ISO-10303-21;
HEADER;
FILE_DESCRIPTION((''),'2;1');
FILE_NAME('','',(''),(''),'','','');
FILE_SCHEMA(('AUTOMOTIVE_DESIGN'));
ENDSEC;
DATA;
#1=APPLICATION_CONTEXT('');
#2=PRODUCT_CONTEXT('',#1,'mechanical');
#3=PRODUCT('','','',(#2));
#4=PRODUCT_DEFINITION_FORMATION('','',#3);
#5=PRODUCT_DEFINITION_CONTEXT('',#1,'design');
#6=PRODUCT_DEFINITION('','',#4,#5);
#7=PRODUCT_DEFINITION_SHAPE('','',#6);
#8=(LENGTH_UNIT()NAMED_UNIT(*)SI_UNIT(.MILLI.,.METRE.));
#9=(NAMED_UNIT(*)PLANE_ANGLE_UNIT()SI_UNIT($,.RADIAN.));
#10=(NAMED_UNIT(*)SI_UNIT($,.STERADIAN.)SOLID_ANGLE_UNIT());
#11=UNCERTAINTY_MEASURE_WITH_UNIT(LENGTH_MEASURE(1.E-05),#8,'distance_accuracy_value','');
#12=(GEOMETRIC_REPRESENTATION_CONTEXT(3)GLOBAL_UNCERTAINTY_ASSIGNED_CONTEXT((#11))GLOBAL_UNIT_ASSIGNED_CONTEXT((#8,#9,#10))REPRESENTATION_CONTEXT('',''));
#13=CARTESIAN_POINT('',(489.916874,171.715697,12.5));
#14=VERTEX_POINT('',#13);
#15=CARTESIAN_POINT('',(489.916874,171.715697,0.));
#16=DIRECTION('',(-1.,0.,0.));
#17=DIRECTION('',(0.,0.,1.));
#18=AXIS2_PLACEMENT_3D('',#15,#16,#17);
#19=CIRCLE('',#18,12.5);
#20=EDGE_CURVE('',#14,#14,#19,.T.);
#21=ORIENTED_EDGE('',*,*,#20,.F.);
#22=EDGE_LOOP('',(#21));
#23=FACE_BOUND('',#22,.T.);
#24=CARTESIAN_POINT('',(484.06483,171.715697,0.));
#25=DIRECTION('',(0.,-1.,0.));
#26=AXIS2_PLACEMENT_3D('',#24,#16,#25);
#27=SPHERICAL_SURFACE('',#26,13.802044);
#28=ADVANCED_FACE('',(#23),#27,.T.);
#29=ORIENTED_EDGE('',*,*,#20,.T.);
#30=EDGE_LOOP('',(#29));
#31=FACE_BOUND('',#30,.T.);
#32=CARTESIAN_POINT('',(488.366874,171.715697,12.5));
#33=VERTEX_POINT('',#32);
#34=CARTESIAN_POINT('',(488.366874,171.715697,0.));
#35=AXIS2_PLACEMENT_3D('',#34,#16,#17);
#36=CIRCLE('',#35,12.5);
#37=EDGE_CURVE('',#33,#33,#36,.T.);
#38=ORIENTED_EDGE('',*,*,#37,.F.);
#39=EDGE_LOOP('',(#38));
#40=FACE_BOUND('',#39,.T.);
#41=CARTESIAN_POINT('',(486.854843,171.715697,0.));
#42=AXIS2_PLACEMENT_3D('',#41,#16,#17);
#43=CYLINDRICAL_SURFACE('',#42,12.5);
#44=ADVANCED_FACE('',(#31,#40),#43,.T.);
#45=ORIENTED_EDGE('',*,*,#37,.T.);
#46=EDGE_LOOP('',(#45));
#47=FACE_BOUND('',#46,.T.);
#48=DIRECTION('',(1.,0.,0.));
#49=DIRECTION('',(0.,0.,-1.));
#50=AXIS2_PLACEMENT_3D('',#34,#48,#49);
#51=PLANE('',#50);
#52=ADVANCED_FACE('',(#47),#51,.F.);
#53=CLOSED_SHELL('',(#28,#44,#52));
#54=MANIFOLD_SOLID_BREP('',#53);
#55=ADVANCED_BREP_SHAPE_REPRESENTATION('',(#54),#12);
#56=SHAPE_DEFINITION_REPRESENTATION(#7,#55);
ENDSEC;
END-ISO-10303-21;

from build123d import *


with BuildPart() as part:
    # 草图1 → 旋转1 (revolve)
    with BuildSketch(Plane.XY, mode=Mode.PRIVATE) as revolve_1_sk:
        with BuildLine():
            Line((488.366874008, 171.715697297), (488.366874008, 184.215697297))
            Line((488.366874008, 184.215697297), (489.916874008, 184.215697297))
            ThreePointArc((489.916874008, 184.215697297), (495.711000781, 179.122661925), (497.866874008, 171.715697297))
            Line((497.866874008, 171.715697297), (488.366874008, 171.715697297))
        make_face()
    revolve(revolve_1_sk.sketch.rotate(Axis((486.854842766, 171.715697297, 0), (1, 0, 0)), 180), axis=Axis((486.854842766, 171.715697297, 0), (1, 0, 0)))  # turned: the seam where the file's is


solid = part.part
